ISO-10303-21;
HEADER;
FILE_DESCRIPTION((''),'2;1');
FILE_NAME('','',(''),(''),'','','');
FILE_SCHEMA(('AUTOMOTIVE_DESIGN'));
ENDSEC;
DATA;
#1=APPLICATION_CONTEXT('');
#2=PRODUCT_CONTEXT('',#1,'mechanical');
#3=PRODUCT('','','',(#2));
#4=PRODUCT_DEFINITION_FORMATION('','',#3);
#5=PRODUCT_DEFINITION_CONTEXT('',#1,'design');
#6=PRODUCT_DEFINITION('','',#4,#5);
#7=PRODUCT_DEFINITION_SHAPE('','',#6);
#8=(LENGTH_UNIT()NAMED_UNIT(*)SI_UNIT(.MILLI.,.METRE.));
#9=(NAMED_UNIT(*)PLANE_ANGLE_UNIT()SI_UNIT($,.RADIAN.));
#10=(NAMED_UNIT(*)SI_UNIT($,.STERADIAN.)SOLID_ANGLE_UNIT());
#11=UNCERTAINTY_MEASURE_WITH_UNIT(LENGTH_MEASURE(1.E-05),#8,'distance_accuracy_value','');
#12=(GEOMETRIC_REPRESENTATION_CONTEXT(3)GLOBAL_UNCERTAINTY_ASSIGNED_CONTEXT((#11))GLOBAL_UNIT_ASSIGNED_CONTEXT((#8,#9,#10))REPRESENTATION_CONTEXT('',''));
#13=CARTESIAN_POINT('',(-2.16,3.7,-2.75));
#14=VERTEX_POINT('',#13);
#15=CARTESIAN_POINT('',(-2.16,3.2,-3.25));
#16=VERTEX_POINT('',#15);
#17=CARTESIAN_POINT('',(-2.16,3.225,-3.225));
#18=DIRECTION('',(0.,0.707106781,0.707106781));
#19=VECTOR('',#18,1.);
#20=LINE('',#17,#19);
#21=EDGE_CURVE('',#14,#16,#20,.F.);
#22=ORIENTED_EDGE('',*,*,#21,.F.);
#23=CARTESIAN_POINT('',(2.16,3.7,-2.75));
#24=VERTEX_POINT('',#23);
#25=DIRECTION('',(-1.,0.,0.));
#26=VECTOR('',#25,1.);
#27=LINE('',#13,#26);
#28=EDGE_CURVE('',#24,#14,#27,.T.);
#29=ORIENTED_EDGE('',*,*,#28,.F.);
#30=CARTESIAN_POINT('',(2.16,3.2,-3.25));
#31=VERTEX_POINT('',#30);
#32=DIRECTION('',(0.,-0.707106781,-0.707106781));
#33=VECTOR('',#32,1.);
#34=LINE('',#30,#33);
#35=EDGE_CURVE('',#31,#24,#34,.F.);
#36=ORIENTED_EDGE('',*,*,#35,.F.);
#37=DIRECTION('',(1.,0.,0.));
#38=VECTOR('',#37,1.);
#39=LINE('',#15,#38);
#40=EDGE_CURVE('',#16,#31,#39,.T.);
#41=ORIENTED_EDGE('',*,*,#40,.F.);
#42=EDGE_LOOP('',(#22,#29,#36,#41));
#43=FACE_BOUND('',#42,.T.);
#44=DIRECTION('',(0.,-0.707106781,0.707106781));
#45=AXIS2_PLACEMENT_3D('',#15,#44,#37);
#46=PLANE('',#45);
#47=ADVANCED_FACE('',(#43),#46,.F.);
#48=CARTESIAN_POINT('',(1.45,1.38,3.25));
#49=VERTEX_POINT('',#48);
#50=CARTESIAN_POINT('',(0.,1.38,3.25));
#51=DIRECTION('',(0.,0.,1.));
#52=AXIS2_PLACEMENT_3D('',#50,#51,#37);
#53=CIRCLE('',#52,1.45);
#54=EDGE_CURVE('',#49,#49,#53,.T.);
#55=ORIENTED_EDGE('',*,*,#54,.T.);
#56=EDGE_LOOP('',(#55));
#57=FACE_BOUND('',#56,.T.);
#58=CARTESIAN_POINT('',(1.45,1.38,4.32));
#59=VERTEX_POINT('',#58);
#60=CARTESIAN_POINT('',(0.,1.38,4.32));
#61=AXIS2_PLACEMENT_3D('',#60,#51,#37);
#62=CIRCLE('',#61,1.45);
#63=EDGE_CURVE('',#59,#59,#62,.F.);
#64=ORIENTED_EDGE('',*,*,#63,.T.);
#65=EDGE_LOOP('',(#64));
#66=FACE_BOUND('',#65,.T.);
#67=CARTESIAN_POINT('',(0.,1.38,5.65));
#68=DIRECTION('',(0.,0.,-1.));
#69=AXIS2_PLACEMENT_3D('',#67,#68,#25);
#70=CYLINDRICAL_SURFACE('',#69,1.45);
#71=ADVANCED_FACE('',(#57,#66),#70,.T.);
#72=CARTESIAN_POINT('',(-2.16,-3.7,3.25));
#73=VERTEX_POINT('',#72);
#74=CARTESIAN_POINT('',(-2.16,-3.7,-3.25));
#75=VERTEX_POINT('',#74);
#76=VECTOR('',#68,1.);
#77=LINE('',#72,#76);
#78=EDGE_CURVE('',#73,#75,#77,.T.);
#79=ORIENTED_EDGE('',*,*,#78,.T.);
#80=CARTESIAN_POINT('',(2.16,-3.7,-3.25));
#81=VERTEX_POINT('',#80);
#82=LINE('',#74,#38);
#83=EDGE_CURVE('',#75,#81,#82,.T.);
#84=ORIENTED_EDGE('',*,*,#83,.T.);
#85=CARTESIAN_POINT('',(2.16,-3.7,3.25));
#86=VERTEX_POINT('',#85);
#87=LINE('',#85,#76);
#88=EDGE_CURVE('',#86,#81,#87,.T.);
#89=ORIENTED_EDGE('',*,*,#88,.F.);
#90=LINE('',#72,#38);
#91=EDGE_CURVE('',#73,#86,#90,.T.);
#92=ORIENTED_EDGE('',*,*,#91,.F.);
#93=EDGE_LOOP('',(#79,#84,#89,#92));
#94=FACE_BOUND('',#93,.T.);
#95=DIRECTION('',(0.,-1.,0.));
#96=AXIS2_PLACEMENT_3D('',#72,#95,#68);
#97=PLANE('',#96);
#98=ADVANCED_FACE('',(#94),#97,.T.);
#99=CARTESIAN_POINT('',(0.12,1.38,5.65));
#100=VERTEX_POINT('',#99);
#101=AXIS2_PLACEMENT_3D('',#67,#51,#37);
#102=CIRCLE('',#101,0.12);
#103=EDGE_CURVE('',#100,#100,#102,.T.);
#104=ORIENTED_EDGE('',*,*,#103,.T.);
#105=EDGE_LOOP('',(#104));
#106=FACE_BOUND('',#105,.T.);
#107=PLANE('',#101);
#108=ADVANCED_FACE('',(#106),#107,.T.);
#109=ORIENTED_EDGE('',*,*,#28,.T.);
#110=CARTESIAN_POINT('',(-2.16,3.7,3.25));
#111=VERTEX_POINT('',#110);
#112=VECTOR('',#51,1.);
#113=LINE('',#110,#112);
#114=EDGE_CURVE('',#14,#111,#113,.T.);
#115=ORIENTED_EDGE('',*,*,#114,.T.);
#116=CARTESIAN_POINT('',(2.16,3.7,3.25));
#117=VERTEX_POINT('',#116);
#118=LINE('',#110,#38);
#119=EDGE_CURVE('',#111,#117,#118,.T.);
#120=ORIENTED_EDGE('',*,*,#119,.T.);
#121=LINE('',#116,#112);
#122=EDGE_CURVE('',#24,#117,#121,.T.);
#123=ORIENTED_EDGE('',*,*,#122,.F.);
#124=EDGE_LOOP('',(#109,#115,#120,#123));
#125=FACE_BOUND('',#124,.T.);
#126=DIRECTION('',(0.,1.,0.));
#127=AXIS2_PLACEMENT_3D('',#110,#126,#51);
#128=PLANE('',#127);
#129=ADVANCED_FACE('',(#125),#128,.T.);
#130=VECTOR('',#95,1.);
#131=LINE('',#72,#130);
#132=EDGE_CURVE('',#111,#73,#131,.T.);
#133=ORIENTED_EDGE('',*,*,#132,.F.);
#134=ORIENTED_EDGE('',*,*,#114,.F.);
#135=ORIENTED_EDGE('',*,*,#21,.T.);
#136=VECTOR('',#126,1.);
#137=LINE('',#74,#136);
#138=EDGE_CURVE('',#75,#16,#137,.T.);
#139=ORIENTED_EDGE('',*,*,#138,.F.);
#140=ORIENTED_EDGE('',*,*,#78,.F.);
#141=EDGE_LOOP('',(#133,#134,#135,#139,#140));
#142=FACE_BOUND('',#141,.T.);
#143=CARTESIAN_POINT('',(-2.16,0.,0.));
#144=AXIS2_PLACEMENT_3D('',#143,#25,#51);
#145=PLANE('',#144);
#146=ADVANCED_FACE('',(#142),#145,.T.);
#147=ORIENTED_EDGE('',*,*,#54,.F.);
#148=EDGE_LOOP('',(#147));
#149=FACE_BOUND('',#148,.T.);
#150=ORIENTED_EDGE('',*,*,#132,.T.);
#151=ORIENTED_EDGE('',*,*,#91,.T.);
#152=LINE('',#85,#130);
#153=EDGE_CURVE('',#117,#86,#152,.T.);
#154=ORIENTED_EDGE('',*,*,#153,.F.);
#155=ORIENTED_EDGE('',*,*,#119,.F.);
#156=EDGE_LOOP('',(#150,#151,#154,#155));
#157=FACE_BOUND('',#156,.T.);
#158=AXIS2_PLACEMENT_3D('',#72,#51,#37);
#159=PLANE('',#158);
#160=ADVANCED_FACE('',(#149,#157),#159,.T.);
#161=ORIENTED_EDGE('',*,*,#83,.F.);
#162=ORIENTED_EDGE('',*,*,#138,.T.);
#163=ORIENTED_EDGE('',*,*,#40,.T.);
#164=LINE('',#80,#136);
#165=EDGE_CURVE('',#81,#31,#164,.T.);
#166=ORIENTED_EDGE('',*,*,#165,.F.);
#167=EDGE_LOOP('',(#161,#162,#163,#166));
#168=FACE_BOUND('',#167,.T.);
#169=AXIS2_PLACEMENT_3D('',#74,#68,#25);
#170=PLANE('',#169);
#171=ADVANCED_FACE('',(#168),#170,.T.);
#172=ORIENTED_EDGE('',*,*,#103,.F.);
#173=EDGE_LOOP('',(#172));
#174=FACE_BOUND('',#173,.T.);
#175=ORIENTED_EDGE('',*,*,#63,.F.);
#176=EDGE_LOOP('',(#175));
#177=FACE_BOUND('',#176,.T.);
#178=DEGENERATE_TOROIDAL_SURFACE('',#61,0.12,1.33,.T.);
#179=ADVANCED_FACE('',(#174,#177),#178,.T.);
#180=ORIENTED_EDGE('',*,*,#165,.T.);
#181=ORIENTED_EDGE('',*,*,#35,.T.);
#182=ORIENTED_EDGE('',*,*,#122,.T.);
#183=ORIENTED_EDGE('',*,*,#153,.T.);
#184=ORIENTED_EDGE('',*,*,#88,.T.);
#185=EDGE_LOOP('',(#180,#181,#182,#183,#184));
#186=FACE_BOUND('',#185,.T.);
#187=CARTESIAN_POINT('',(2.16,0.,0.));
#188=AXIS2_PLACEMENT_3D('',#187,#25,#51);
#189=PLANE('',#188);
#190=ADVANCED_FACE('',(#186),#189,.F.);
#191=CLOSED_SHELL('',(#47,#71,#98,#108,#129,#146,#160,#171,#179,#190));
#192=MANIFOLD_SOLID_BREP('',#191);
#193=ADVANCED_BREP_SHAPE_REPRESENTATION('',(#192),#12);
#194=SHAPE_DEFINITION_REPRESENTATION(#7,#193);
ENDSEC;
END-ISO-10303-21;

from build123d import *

# Parameters (mm, degrees)
BOSS_EXTRUDE1_DEPTH      = 2.16
BOSS_EXTRUDE1_DEPTH_BACK = 2.16
SKETCH1_W                = 6.5
SKETCH1_H                = 7.4
SKETCH2_R                = 1.45
BOSS_EXTRUDE2_DEPTH      = 2.4
FILLET1_R                = 1.33
CHAMFER1_SIZE            = 0.5


with BuildPart() as part:
    # Sketch1 → Boss-Extrude1 (new, two sides: drawn at the far end of the back side and taken through both)
    with BuildSketch(Plane(origin=(0, 0, 0), x_dir=(0, 0, -1), z_dir=(1, 0, 0)).offset(-BOSS_EXTRUDE1_DEPTH_BACK)):
        Rectangle(SKETCH1_W, SKETCH1_H)
    extrude(amount=BOSS_EXTRUDE1_DEPTH + BOSS_EXTRUDE1_DEPTH_BACK)

    # Sketch2 → Boss-Extrude2 (add)
    with BuildSketch(Plane.XY.offset(3.25)):
        with Locations((0, 1.38)):
            Circle(SKETCH2_R)
    extrude(amount=BOSS_EXTRUDE2_DEPTH)

    # Fillet1
    fillet1_edges = [part.edges().sort_by_distance(p)[0] for p in [
        (-1.45, 1.38, 5.65),
    ]]
    fillet(fillet1_edges, radius=FILLET1_R)

    # Chamfer1
    chamfer1_edges = [part.edges().sort_by_distance(p)[0] for p in [
        (0, 3.7, -3.25),
    ]]
    chamfer(chamfer1_edges, length=CHAMFER1_SIZE)


solid = part.part
